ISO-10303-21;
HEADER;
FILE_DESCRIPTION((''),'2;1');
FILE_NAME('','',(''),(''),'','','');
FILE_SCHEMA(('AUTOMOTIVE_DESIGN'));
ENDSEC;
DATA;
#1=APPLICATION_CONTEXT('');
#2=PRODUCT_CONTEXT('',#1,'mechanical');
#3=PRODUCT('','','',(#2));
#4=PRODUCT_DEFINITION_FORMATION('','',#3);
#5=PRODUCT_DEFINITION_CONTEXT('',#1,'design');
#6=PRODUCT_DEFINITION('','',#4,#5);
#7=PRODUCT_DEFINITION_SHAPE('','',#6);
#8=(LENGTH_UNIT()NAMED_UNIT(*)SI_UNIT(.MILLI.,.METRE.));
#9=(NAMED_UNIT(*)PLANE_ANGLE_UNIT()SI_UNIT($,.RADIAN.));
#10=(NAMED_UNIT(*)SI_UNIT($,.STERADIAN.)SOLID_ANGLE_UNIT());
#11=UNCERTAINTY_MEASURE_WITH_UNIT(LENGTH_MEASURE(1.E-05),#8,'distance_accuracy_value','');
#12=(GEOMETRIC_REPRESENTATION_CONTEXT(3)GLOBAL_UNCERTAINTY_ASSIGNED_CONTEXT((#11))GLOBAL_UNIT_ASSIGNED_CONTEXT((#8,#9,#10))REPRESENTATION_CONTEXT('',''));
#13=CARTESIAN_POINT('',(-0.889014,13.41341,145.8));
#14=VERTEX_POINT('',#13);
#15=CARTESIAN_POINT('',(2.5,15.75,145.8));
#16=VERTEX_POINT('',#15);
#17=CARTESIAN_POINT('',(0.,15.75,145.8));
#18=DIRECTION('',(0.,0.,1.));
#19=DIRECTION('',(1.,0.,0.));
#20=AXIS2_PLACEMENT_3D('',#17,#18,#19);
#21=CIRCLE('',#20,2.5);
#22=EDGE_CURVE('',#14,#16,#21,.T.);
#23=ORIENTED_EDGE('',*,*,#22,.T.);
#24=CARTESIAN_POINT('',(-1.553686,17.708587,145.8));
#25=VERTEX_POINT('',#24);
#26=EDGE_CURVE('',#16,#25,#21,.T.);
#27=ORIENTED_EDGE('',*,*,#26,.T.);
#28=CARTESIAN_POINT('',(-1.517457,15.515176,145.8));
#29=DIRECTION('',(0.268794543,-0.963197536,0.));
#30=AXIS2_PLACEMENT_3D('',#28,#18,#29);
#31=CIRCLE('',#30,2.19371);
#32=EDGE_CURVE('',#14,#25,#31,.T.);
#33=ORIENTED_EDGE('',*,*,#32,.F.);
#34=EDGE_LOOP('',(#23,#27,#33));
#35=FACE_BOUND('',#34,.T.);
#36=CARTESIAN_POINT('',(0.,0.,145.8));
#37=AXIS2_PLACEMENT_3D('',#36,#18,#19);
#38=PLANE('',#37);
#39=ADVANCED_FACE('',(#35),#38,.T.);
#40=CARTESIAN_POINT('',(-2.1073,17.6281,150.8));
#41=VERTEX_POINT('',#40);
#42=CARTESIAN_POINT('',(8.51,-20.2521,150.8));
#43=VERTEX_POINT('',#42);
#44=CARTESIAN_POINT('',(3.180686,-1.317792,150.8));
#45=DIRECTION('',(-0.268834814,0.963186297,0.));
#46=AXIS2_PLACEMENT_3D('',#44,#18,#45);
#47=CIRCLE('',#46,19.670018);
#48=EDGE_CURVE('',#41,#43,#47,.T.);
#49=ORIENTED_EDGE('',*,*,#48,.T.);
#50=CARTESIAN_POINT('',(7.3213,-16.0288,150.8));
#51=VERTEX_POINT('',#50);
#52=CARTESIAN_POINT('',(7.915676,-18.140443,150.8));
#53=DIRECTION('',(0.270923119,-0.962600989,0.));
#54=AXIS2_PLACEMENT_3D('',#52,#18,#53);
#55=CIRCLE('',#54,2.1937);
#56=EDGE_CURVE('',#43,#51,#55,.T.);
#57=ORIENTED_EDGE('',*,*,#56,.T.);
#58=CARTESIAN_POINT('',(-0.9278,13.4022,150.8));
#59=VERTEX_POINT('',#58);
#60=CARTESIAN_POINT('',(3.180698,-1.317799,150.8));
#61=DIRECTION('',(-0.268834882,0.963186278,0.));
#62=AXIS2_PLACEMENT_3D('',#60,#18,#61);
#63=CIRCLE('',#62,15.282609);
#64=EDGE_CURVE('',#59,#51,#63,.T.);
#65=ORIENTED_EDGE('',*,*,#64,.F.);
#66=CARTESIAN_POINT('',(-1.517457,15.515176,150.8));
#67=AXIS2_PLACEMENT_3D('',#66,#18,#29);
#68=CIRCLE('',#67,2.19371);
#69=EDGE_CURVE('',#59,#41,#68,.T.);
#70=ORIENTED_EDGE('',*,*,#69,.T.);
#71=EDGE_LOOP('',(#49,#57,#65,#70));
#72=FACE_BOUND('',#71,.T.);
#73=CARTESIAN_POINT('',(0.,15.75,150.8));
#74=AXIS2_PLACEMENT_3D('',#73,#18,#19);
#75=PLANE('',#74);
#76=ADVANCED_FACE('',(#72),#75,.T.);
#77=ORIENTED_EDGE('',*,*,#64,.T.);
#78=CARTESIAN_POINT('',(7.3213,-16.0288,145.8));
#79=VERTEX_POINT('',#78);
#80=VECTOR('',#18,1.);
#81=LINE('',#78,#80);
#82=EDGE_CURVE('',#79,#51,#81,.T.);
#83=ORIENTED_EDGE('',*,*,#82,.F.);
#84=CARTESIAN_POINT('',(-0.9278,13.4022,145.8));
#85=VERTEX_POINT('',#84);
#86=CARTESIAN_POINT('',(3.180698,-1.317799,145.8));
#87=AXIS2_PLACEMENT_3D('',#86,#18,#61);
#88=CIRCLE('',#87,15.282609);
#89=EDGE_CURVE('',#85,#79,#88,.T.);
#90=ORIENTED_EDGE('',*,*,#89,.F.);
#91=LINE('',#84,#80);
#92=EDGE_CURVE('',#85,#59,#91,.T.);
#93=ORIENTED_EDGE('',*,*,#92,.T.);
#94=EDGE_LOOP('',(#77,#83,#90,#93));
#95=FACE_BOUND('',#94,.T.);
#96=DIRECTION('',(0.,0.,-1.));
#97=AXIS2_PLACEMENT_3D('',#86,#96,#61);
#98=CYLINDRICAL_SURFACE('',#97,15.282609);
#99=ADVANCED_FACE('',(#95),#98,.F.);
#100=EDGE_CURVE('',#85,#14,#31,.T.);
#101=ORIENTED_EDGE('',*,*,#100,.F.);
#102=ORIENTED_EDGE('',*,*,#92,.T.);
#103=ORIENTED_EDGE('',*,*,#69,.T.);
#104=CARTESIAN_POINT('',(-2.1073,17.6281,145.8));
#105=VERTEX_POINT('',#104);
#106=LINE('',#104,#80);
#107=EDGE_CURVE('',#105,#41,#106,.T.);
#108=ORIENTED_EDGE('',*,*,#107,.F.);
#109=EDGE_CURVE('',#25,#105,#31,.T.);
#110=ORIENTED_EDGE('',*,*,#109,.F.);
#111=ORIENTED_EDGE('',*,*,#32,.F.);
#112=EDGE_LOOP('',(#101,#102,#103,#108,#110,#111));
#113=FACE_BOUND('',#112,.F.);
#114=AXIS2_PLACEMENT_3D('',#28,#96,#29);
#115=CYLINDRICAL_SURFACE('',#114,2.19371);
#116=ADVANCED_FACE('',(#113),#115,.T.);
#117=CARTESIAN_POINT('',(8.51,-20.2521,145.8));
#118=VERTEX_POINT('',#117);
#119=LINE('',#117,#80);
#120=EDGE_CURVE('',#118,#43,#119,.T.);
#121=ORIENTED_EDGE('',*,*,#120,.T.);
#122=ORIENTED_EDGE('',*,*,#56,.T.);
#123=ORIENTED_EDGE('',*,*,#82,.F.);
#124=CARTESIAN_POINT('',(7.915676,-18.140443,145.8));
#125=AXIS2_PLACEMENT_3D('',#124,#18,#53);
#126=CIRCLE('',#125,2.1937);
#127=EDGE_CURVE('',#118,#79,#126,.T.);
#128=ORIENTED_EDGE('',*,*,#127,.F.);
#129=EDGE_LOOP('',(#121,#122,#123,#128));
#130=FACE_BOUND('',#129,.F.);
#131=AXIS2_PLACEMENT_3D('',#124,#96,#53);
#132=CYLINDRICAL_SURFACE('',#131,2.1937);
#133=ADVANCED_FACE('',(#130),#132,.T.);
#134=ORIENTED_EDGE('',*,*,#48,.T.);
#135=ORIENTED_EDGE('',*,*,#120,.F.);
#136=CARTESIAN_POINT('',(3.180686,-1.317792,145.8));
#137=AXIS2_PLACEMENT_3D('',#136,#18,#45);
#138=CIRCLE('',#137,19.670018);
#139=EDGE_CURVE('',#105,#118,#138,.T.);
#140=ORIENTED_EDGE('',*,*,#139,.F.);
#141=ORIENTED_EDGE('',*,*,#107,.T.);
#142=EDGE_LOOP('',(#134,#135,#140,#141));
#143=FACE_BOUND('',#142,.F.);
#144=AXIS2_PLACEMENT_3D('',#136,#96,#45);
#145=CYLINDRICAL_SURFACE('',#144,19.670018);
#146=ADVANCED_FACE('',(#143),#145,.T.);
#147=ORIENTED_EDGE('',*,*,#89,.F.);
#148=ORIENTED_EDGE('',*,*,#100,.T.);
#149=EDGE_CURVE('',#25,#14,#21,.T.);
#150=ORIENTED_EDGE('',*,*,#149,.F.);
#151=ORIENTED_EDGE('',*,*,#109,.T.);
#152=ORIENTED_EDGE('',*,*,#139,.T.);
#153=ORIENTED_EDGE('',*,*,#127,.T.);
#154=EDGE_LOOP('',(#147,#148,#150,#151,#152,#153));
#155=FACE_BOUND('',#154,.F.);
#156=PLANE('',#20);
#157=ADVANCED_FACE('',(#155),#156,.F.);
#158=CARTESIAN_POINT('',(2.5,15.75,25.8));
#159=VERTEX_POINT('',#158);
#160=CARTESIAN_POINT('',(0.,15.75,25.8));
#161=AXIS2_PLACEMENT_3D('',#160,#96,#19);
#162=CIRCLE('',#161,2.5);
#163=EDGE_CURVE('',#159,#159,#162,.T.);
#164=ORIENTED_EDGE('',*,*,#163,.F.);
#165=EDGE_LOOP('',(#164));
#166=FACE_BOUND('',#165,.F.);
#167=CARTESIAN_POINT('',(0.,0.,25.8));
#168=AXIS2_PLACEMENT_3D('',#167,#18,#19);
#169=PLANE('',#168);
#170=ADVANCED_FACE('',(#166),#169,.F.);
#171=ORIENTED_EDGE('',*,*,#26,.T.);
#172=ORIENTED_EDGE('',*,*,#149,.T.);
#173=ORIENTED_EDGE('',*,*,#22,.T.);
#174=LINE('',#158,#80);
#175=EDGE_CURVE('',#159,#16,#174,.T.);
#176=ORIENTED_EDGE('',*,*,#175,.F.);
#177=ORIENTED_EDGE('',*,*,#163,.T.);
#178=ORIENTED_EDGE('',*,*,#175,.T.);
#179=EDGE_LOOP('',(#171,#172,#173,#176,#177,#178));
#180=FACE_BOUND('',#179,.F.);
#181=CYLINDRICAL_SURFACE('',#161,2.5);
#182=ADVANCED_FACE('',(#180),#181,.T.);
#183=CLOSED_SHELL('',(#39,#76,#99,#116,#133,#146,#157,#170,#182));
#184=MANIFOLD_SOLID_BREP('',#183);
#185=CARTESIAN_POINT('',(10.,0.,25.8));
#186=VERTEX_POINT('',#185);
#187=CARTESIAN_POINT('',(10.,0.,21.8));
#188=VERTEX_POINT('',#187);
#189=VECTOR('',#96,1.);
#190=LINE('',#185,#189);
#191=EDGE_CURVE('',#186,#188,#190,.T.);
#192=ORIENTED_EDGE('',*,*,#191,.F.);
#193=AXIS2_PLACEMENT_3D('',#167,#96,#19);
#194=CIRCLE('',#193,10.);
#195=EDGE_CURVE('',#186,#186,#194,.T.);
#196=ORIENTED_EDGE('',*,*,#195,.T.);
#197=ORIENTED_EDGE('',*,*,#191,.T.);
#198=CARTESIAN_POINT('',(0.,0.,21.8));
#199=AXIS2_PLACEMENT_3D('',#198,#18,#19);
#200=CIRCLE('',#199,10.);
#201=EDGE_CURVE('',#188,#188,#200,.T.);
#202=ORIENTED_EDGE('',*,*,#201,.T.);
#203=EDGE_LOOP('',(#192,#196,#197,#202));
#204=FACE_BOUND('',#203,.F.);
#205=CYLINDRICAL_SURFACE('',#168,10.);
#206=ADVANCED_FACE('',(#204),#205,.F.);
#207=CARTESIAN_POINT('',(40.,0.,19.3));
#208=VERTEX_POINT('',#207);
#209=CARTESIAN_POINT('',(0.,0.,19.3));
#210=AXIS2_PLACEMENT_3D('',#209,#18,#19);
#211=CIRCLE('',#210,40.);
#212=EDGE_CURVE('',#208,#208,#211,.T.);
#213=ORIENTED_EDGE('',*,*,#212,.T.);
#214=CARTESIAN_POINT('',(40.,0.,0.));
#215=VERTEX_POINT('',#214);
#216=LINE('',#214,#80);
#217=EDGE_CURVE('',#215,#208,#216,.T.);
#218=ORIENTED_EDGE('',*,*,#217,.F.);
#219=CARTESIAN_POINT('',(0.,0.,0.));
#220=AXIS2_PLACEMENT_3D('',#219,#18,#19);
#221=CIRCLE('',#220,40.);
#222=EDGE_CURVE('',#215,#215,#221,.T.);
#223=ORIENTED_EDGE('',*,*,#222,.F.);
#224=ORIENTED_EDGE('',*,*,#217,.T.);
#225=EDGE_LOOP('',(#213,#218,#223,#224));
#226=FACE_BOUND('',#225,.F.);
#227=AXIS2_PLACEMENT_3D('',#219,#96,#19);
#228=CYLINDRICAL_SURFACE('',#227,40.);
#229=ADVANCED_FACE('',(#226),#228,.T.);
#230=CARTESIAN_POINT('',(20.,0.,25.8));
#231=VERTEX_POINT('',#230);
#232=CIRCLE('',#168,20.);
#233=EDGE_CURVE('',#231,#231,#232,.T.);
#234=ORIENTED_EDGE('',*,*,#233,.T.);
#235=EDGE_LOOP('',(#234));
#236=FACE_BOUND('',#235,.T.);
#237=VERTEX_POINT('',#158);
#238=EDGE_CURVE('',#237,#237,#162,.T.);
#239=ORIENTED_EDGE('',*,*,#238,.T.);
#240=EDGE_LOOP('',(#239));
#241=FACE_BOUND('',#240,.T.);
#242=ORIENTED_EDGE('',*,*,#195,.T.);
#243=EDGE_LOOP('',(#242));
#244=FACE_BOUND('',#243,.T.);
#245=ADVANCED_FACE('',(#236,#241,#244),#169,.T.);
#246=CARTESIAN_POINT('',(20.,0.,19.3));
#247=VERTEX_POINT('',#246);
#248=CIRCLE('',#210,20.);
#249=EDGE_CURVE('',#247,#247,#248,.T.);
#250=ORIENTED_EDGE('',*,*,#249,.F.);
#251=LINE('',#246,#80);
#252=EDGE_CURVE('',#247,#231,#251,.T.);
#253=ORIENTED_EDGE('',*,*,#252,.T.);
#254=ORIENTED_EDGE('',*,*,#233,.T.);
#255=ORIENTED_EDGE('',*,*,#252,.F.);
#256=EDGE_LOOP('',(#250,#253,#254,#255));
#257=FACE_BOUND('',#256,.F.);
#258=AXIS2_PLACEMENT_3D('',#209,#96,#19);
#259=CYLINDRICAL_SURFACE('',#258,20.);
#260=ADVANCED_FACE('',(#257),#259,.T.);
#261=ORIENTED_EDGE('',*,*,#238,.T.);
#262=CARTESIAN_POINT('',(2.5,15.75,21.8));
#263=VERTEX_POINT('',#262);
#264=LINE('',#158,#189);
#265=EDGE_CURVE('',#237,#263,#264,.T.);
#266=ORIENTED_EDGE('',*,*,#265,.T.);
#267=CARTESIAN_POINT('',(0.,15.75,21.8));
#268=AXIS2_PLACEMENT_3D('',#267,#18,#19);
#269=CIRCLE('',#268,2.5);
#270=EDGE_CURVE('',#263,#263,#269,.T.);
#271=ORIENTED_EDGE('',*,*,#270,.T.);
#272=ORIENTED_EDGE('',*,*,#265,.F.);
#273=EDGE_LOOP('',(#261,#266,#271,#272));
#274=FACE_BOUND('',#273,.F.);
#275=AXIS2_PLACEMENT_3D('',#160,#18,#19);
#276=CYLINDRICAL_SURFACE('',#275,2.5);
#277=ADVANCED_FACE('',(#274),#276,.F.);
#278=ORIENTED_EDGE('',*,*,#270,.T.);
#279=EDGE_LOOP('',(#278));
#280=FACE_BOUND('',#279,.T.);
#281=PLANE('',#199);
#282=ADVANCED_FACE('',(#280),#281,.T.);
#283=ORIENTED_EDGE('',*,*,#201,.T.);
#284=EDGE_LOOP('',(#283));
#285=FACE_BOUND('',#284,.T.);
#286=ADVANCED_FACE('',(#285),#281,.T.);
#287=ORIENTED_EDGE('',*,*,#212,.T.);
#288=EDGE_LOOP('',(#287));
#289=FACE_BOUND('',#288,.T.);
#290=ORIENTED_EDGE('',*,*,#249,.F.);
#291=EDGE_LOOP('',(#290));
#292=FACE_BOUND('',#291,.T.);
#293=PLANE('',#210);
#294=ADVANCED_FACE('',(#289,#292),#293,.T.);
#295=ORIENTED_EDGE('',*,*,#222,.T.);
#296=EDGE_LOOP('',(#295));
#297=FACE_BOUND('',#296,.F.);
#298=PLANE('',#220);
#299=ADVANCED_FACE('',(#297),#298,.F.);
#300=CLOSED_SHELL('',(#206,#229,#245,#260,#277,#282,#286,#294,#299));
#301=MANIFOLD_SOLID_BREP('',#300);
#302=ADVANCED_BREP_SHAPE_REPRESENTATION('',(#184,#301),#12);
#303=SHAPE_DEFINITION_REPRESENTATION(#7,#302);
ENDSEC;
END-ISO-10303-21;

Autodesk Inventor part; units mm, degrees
ref_plane "YZ Plane" through (0, 0, 0) normal (1, 0, 0) x (0, 1, 0)
ref_plane "XZ Plane" through (0, 0, 0) normal (0, 1, 0) x (-1, 0, 0)
ref_plane "XY Plane" through (0, 0, 0) normal (0, 0, 1) x (1, 0, 0)
sketch "ｽｹｯﾁ1" plane through (0, 0, 0) normal (0, 0, 1) x (1, 0, 0)
  circle A0 centre (0, 0) radius 40
  dimension "d0" = 80
extrude "Extrusion1" add sketch "ｽｹｯﾁ1" along normal blind 19.3
sketch "ｽｹｯﾁ2" plane through (0, 0, 19.3) normal (0, 0, 1) x (1, 0, 0)
  circle A0 centre (0, 0) radius 40 projected
  circle A1 centre (0, 0) radius 20
  dimension "d3" = 40
extrude "Extrusion2" add sketch "ｽｹｯﾁ2" along normal blind 6.5 contours A1
sketch "ｽｹｯﾁ3" plane through (0, 0, 25.8) normal (0, 0, 1) x (1, 0, 0)
  circle A0 centre (0, 0) radius 20 projected
  circle A1 centre (0, 0) radius 10
  line L0 (0, 0) -> (0, 15.75)
  circle A2 centre (0, 15.75) radius 2.5
  dimension "d6" = 20
  dimension "d9" = 15.75
  dimension "d10" = 5
extrude "Extrusion3" cut sketch "ｽｹｯﾁ3" against normal blind 4 contours A1 | A2
sketch "Sketch4" plane through (0, 0, 25.8) normal (0, 0, 1) x (1, 0, 0)
  circle A0 centre (0, 15.75) radius 2.5 projected
  circle A1 centre (0, 15.75) radius 2.5
  point P0 (0, 0)
extrude "Extrusion4" add sketch "Sketch4" along normal blind 120
sketch "Sketch5" plane through (0, 15.75, 145.8) normal (0, 0, 1) x (1, 0, 0)
  arc A0 (-1.5175, -0.2348) -> (7.9156, -33.8904) centre (3.1807, -17.0678) ccw construction
  arc A1 (-2.1073, 1.8781) -> (8.51, -36.0021) centre (3.1807, -17.0678) ccw
  arc A2 (-0.9278, -2.3478) -> (7.3213, -31.7788) centre (3.1807, -17.0678) ccw
  arc A3 (-0.9278, -2.3478) -> (-2.1073, 1.8781) centre (-1.5175, -0.2348) ccw
  arc A4 (8.51, -36.0021) -> (7.3213, -31.7788) centre (7.9156, -33.8904) ccw
  point P0 (0, -15.75)
extrude "Extrusion5" add sketch "Sketch5" along normal blind 5
properties part number "Robot-Axis5-Adapter"
